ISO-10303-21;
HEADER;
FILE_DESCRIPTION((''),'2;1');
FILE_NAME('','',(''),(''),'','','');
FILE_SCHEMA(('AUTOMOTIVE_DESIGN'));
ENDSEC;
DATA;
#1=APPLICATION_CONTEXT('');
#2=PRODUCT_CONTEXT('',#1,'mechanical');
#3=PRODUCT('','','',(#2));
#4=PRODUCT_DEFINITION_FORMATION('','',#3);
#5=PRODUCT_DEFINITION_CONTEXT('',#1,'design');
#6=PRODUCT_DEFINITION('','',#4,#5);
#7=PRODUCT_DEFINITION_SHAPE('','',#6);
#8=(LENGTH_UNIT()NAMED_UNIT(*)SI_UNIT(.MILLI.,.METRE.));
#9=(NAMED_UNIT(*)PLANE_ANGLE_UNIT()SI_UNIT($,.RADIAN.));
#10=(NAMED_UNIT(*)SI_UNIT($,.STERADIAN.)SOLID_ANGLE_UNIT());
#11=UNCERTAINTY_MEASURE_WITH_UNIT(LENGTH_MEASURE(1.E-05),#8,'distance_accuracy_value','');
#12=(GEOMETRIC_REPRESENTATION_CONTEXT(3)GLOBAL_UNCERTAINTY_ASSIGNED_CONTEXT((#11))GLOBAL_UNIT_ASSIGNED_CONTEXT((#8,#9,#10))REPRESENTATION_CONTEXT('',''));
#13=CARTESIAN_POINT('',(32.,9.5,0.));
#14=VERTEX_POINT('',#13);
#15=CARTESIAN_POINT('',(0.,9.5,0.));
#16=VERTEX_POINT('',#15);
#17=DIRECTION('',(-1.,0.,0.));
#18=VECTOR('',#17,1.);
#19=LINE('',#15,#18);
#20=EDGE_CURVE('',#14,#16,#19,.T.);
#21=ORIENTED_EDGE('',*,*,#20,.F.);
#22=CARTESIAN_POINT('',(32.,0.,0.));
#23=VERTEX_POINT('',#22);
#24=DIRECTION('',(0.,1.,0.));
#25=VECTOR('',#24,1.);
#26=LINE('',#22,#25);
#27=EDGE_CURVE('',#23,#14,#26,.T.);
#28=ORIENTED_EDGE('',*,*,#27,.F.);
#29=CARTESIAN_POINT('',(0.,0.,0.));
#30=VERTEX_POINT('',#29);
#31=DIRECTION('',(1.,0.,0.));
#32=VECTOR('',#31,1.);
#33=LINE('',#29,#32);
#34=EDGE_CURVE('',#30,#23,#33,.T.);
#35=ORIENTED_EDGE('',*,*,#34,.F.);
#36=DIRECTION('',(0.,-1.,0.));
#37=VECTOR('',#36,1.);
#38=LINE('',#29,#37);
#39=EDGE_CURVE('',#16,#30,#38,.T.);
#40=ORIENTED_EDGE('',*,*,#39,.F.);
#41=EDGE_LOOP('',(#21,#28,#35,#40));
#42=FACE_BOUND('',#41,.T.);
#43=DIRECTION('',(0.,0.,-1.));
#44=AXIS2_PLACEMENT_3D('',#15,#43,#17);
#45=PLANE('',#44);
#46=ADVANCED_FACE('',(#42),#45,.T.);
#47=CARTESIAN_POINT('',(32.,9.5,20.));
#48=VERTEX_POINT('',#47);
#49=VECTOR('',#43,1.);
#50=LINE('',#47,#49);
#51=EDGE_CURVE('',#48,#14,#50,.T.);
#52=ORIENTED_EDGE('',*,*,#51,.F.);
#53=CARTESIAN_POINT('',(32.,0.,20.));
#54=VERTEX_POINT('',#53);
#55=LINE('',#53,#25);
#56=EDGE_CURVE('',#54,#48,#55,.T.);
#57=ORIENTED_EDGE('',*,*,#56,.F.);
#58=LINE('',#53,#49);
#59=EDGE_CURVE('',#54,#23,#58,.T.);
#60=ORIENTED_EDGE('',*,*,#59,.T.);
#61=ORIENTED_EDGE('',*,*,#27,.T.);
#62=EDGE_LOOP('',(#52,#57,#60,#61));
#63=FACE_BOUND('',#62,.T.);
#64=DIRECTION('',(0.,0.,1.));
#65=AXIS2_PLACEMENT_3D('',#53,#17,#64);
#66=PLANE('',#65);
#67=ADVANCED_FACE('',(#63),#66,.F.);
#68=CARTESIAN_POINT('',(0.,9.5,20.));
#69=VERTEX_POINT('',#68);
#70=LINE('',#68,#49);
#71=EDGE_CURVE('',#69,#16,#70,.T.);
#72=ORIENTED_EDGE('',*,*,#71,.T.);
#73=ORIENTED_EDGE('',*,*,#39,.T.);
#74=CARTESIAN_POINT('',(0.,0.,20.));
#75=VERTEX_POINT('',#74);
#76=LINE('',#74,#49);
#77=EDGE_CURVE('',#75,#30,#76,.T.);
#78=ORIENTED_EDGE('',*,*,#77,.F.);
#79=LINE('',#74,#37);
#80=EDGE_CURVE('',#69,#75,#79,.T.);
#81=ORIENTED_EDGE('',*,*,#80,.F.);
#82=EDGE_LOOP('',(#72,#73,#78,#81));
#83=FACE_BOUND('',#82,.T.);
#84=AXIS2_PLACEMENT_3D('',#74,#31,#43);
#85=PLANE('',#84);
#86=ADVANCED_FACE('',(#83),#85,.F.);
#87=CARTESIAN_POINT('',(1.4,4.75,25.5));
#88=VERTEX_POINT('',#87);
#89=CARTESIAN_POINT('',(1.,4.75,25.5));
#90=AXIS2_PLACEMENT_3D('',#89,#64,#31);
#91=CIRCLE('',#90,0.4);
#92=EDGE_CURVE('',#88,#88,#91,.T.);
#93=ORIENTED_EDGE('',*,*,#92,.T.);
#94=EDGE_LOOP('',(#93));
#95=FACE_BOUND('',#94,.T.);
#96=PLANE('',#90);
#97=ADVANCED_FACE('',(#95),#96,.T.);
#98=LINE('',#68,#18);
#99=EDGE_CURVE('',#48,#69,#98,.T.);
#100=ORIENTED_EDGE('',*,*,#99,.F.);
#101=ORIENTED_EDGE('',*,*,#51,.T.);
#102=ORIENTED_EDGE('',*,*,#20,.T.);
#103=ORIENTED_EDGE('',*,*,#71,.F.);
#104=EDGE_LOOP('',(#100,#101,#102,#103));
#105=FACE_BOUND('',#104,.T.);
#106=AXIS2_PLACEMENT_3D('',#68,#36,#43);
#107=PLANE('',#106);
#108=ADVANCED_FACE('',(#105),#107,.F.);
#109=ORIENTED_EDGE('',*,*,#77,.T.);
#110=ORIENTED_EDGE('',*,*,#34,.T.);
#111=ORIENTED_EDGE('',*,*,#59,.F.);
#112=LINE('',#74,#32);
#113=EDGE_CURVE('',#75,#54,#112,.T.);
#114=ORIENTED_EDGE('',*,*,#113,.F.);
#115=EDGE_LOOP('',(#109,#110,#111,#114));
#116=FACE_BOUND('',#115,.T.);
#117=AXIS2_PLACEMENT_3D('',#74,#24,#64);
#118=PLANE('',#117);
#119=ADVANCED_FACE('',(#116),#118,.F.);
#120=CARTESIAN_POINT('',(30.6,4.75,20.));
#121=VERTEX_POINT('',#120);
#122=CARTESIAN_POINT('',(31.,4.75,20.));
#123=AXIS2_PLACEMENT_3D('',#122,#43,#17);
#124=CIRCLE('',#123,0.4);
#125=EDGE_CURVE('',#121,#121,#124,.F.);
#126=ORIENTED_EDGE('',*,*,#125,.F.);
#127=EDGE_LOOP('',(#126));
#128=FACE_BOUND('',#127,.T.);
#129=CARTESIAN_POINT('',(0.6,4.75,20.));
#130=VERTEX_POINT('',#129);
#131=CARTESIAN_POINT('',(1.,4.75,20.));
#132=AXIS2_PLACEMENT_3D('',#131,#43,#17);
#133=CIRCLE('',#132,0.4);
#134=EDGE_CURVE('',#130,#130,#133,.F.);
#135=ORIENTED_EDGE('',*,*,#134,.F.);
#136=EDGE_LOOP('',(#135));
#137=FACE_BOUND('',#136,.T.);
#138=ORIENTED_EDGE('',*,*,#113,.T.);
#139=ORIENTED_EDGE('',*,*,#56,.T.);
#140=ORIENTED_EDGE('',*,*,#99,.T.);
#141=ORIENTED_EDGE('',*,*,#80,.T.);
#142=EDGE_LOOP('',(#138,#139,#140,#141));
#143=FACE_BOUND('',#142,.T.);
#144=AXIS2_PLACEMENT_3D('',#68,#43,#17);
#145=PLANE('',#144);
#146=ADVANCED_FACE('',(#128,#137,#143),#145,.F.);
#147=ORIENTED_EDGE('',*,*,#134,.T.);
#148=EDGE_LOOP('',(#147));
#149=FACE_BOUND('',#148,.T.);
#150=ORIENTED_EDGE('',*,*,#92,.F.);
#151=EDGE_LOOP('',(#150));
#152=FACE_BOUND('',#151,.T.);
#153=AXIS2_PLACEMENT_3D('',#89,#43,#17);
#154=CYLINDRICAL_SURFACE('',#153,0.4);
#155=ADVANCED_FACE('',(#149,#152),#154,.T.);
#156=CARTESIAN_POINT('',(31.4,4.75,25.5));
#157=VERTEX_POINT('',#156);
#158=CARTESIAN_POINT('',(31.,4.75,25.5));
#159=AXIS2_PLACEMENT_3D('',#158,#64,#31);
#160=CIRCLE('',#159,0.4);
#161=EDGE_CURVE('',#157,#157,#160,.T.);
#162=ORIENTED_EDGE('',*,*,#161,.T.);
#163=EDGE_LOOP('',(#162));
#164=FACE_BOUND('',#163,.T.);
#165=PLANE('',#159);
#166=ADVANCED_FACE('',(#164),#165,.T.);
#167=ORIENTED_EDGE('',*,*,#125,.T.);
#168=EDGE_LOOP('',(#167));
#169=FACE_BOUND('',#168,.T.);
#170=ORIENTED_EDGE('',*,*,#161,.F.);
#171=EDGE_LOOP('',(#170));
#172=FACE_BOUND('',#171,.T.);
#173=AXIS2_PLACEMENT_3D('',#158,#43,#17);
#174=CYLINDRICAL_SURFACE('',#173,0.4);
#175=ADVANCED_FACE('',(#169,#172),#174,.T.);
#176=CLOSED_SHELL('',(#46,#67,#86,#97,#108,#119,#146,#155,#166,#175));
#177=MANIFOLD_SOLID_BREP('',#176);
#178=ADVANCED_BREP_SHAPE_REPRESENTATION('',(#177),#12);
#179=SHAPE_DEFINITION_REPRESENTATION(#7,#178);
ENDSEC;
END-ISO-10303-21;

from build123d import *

# Parameters (mm, degrees)
SKETCH_1_W      = 32
SKETCH_1_H      = 9.5
EXTRUDE_1_DEPTH = 20
SKETCH_2_R      = 0.4
EXTRUDE_2_DEPTH = 5.5


with BuildPart() as part:
    # Эскиз1 → Вытянуть1 (new body)
    with BuildSketch(Plane.XY):
        with Locations((16, 4.75)):
            Rectangle(SKETCH_1_W, SKETCH_1_H)
    extrude(amount=EXTRUDE_1_DEPTH)

    # Эскиз2 → Вытянуть2 (add)
    with BuildSketch(Plane.XY.offset(20)):
        with Locations(Location((1, 4.75, 0), (0, 0, 180))):
            Circle(SKETCH_2_R)
        with Locations(Location((31, 4.75, 0), (0, 0, 180))):
            Circle(SKETCH_2_R)
    extrude(amount=EXTRUDE_2_DEPTH)


solid = part.part
